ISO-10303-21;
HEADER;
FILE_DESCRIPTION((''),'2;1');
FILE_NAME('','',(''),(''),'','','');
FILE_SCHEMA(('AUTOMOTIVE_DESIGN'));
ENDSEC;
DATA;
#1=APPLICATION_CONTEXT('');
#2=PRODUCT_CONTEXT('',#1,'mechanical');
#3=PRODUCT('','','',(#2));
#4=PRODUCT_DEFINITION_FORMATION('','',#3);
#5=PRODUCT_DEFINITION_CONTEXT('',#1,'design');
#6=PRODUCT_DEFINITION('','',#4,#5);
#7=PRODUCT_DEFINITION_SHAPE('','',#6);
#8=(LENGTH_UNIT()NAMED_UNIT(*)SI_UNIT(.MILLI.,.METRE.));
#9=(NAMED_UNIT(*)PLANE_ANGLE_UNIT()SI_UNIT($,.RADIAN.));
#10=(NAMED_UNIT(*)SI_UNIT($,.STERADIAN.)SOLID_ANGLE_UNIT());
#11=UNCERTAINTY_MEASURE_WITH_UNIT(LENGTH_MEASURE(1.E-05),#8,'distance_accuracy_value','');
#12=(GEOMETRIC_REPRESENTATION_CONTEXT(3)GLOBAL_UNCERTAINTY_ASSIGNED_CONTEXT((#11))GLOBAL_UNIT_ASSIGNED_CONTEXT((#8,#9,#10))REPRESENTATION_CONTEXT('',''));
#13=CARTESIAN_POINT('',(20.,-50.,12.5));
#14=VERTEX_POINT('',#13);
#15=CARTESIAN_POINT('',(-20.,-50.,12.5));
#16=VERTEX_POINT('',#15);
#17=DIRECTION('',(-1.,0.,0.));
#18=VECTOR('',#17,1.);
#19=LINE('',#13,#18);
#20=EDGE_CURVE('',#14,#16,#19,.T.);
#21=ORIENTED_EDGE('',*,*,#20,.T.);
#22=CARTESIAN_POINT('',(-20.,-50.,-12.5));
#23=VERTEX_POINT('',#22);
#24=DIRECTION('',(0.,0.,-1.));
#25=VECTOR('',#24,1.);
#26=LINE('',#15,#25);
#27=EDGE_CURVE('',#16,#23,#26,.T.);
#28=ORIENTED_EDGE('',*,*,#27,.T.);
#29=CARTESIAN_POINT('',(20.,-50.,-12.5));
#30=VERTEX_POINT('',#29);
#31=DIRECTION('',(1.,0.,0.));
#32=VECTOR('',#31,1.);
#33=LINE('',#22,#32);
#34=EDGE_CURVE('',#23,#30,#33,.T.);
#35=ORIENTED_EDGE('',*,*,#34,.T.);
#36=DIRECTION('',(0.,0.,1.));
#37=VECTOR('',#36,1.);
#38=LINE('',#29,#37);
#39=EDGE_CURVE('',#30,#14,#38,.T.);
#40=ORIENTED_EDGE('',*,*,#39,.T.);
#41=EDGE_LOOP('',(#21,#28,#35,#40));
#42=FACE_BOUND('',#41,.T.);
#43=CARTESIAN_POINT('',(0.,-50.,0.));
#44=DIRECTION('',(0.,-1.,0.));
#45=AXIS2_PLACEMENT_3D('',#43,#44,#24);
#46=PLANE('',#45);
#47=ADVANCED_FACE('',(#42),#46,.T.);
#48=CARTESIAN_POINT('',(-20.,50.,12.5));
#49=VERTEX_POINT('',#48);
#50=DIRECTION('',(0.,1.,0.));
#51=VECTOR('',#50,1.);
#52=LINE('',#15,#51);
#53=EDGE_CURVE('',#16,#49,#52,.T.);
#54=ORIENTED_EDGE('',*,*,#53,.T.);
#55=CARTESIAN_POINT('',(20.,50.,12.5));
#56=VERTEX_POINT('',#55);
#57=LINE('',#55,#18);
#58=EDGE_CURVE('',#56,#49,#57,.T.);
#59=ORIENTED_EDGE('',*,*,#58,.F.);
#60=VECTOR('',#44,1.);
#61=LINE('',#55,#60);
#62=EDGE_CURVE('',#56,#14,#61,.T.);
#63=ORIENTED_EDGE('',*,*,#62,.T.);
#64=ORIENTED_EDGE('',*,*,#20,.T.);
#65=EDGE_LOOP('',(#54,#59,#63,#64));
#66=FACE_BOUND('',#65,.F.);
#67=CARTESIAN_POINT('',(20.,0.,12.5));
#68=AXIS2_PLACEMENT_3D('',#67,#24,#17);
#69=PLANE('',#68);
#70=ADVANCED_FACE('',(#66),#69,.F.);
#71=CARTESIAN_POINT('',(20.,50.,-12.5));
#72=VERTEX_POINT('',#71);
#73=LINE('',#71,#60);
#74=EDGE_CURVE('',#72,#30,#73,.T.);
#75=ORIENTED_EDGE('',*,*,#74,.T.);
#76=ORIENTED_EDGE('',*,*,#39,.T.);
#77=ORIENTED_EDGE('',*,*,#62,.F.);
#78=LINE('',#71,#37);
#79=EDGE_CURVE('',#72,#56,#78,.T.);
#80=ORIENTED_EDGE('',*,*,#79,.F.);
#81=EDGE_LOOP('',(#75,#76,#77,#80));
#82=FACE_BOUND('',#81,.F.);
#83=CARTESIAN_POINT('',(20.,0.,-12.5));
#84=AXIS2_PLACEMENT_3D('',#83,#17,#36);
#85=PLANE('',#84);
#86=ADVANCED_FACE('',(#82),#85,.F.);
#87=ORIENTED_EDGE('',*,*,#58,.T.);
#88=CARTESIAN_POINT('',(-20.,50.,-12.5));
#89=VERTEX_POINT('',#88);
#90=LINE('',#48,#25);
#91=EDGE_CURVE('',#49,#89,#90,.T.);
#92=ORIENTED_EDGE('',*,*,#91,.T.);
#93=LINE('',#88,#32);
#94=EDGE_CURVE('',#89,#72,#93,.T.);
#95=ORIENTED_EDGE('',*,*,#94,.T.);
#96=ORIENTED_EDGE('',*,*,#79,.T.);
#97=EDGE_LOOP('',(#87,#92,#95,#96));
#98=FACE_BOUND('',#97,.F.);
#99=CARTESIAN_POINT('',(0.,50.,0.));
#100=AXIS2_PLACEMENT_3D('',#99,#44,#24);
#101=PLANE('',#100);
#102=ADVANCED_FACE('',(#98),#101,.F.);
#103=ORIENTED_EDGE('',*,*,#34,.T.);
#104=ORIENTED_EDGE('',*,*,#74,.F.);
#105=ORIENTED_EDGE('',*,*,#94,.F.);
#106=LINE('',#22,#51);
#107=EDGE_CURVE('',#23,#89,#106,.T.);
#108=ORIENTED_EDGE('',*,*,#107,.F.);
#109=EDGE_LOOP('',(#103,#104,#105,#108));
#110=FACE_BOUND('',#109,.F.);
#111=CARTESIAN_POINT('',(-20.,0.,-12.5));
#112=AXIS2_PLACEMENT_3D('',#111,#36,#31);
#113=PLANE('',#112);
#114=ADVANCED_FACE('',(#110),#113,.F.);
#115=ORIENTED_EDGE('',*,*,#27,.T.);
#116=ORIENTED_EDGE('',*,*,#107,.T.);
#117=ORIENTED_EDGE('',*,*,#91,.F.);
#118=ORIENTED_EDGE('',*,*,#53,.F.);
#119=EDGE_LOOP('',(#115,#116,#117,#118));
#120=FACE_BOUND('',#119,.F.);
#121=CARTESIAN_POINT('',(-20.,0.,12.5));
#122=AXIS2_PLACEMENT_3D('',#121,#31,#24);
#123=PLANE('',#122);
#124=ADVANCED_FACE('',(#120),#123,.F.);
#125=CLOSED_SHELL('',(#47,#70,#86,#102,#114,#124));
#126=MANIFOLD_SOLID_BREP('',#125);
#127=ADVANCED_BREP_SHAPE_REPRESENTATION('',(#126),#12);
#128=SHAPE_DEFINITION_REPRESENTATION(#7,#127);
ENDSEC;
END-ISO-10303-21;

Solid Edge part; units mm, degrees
sketch "Sketch1" plane through (0, 0, 0) normal (0, -1, 0) x (1, 0, 0)
  line L0 (-20, -12.5) -> (20, -12.5)
  line L1 (20, -12.5) -> (20, 12.5)
  line L2 (20, 12.5) -> (-20, 12.5)
  line L3 (-20, 12.5) -> (-20, -12.5)
  dimension "D1" = 40
  dimension "D2" = 25
extrude "Protrusion1" add sketch "Sketch1" along normal mid plane 100
